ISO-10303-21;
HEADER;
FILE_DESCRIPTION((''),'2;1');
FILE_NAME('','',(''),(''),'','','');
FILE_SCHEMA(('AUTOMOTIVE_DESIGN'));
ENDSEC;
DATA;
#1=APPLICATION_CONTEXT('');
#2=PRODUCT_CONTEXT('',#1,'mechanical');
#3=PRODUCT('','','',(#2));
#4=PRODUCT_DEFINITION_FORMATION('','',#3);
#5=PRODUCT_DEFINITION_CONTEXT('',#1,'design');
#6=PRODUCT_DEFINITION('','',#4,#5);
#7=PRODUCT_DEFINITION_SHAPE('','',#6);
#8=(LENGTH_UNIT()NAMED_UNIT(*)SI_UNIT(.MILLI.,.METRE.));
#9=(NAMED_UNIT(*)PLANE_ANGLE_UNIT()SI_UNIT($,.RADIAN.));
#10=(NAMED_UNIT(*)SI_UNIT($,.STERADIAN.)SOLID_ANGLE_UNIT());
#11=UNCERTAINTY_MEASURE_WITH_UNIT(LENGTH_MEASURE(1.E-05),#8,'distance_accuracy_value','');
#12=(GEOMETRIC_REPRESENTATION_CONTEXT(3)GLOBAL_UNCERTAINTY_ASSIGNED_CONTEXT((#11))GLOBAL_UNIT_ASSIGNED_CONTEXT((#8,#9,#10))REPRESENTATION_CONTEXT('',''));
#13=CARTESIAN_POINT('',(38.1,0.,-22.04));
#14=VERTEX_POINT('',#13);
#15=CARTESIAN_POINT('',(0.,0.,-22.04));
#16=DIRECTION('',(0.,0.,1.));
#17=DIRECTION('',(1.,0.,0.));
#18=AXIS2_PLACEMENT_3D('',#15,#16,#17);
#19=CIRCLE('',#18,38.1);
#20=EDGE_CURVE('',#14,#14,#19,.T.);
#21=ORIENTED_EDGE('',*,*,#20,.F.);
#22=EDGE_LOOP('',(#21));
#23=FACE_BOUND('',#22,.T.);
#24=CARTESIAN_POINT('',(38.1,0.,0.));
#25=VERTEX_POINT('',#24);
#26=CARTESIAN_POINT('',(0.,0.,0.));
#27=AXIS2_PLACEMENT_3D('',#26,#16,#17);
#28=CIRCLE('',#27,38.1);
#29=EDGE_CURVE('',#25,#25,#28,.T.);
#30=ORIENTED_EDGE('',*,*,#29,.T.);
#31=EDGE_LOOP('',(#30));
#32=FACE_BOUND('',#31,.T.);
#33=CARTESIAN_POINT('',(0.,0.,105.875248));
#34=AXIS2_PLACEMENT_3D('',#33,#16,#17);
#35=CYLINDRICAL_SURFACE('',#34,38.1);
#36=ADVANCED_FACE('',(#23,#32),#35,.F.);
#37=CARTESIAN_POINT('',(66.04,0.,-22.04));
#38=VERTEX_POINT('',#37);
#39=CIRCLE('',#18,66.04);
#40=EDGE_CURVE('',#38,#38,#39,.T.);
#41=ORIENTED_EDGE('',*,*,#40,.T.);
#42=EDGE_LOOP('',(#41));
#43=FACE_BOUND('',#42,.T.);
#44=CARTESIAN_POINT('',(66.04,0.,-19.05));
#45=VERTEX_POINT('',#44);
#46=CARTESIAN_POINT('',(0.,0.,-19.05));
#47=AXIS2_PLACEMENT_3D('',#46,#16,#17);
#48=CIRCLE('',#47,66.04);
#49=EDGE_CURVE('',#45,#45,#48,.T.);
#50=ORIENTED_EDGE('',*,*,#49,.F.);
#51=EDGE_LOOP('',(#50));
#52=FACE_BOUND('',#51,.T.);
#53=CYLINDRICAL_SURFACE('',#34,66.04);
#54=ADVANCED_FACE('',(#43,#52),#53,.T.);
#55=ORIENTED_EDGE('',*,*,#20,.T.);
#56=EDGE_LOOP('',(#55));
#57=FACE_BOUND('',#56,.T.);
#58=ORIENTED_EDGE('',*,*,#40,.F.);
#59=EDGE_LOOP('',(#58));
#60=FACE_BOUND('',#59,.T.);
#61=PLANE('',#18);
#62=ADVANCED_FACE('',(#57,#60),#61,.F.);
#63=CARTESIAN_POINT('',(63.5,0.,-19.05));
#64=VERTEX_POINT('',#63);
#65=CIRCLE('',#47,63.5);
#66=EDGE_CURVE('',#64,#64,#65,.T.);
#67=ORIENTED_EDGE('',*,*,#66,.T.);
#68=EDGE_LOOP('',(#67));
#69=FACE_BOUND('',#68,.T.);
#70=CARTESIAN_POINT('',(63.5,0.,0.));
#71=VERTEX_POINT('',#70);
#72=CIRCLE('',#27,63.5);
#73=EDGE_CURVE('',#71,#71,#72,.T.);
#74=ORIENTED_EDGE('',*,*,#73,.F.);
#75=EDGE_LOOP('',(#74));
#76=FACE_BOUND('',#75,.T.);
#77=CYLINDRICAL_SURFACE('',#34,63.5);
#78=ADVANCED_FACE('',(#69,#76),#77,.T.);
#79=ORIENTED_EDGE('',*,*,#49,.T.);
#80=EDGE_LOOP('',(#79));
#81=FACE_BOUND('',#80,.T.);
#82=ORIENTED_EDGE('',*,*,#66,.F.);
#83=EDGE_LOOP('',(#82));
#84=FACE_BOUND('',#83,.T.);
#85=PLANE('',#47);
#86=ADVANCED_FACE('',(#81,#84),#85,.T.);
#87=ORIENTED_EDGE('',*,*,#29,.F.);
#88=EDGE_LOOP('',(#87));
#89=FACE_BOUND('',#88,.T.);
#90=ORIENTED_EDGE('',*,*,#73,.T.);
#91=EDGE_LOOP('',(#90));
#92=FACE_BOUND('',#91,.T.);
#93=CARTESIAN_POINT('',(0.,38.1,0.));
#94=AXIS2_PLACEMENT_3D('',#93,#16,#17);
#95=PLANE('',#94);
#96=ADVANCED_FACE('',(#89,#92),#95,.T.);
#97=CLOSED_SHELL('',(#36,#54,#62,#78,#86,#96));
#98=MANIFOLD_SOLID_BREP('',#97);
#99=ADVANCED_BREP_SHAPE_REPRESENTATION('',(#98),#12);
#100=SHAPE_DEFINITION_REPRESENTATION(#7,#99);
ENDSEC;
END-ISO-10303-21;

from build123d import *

# Parameters (mm, degrees)
SKETCH1_W = 2.99
SKETCH1_H = 2.54


with BuildPart() as part:
    # Sketch1 → Revolve1 (revolve)
    with BuildSketch(Plane(origin=(0, 0, 0), x_dir=(0, 0, -1), z_dir=(1, 0, 0)), mode=Mode.PRIVATE) as revolve1_sk:
        Polygon((0, 63.5), (0, 38.1), (22.04, 38.1), (22.04, 63.5), (19.05, 63.5), align=None)
        with Locations((20.545, 64.77)):
            Rectangle(SKETCH1_W, SKETCH1_H)
    revolve(revolve1_sk.sketch.rotate(Axis((0, 0, 105.875247525), (0, 0, -1)), 90), axis=Axis((0, 0, 105.875247525), (0, 0, -1)))


solid = part.part
